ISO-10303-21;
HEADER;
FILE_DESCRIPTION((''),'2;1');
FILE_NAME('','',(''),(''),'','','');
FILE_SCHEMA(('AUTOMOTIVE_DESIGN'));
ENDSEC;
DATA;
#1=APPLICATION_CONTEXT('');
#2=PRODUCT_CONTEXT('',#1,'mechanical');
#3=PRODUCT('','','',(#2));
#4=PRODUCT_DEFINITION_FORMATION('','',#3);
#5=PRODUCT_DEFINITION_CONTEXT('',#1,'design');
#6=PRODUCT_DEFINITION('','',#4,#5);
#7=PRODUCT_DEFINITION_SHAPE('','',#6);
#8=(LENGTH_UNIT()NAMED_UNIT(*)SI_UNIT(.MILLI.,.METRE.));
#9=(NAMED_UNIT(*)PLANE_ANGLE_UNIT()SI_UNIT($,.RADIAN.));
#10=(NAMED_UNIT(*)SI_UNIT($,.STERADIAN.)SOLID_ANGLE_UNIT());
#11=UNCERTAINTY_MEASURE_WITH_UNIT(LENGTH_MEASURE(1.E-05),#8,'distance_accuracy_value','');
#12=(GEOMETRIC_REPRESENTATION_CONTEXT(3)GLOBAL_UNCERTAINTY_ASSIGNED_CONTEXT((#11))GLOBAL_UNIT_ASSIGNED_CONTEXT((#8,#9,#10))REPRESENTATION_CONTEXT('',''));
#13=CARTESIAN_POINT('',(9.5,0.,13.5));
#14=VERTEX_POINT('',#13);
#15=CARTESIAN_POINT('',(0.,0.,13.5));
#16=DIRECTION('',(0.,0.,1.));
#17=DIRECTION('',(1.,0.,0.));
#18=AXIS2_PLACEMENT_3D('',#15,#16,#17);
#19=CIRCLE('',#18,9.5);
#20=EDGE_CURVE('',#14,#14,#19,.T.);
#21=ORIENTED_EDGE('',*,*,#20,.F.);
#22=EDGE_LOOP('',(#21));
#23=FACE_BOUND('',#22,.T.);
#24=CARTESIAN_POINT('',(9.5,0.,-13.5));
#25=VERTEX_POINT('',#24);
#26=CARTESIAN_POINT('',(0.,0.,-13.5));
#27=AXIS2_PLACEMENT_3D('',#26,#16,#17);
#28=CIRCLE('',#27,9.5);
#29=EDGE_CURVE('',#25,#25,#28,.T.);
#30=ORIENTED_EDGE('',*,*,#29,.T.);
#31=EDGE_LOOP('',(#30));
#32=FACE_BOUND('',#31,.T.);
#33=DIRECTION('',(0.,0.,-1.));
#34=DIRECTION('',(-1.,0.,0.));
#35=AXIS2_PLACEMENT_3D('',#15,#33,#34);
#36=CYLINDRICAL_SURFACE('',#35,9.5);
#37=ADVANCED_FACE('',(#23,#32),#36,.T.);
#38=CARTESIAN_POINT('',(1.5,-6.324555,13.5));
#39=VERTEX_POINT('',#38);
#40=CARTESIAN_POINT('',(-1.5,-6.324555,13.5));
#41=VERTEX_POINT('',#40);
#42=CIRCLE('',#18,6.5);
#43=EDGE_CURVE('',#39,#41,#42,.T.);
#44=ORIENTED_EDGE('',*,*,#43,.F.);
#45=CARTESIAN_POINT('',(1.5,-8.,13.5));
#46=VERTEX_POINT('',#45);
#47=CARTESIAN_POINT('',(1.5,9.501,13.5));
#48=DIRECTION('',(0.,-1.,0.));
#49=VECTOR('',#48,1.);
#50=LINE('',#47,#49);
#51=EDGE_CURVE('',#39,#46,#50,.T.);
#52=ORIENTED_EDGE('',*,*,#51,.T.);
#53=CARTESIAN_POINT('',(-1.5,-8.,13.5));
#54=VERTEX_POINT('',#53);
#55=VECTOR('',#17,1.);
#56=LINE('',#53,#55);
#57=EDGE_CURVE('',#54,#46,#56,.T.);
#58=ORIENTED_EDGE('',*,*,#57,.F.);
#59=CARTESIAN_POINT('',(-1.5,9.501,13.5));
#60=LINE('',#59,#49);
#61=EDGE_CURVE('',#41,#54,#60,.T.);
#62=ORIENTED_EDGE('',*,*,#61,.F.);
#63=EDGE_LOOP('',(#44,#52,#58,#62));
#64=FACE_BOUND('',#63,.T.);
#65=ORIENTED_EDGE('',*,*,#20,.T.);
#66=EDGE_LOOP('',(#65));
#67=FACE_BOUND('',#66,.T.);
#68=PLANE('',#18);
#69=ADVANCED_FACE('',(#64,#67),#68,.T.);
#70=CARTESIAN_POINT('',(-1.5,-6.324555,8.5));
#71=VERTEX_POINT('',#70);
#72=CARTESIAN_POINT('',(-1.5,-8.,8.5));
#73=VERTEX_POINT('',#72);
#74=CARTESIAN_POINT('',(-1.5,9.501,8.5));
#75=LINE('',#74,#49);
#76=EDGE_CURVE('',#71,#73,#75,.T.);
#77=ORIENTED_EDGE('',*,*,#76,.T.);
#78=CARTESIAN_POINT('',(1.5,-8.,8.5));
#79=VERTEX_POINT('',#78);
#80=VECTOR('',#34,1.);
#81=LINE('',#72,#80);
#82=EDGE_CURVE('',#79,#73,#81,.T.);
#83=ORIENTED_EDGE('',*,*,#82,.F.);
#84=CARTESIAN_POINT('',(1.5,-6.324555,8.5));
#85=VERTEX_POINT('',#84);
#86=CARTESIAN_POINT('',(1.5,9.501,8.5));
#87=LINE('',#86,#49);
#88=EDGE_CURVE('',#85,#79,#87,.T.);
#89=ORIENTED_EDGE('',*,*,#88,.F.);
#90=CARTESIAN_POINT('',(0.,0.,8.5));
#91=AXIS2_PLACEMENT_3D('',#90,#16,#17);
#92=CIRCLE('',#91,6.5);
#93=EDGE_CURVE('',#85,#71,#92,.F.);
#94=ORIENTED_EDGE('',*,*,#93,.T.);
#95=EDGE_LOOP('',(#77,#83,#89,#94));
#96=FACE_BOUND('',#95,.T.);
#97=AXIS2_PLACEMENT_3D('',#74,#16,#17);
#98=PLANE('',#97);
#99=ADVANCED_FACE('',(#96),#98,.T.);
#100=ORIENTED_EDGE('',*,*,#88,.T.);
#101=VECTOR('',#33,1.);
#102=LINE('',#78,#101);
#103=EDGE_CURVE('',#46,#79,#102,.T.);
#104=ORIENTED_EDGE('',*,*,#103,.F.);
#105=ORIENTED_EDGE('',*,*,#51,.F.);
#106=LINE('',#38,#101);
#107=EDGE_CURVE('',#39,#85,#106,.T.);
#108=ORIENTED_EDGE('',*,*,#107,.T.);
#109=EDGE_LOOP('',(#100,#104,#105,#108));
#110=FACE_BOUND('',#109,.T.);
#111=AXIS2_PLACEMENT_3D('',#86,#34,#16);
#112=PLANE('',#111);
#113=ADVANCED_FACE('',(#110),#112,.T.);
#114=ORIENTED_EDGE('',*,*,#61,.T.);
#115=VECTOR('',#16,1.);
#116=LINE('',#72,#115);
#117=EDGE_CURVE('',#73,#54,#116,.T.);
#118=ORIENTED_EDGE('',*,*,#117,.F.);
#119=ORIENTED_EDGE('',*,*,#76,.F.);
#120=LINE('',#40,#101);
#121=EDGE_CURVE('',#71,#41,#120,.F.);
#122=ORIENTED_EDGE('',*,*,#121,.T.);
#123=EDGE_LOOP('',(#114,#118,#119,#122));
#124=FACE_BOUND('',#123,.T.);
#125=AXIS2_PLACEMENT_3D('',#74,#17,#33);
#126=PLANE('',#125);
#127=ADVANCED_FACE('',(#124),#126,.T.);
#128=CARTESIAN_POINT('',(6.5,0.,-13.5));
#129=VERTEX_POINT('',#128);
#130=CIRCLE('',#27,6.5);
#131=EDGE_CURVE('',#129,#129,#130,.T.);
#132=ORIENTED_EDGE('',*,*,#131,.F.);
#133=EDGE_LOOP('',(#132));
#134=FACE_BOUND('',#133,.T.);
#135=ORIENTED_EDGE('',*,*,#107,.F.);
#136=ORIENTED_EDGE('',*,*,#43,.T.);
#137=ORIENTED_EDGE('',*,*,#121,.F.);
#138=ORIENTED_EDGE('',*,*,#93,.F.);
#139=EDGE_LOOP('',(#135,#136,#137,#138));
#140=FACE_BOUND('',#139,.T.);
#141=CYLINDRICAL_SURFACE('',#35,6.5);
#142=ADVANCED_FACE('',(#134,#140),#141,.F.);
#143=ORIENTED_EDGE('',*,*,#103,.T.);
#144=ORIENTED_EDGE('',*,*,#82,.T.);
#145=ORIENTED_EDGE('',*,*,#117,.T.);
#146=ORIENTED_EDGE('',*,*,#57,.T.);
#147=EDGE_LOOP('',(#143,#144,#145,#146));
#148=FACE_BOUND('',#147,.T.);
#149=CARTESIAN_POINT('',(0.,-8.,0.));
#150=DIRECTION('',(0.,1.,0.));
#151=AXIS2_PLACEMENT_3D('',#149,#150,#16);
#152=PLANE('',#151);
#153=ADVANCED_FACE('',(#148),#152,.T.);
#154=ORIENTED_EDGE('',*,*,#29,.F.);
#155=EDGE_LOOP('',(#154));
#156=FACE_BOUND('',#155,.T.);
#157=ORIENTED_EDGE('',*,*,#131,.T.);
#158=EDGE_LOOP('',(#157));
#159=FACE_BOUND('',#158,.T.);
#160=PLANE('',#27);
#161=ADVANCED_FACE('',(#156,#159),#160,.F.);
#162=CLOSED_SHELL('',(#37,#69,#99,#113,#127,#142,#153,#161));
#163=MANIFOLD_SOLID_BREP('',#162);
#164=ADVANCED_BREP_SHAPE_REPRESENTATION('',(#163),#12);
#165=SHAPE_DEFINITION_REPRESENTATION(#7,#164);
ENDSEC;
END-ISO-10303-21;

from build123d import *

# Parameters (mm, degrees)
SKETCH1_R               = 9.5
SKETCH1_R_2             = 6.5
BOSS_EXTRUDE1_DEPTH     = 13.5
CUT_EXTRUDE1_REACH      = 29.046
CUT_EXTRUDE1_END_RADIUS = 6.5
CUT_EXTRUDE1_START      = -8
SKETCH2_W               = 3
SKETCH2_H               = 5


with BuildPart() as part:
    # Sketch1 → Boss-Extrude1 (new, symmetric)
    with BuildSketch(Plane.XY):
        Circle(SKETCH1_R)
        Circle(SKETCH1_R_2, mode=Mode.SUBTRACT)
    extrude(amount=BOSS_EXTRUDE1_DEPTH, both=True)

    # Cut-Extrude1: up to this cylinder (the profile starts outside it)
    cut_extrude1_end = Plane(origin=(0, 0, 11), z_dir=(0, 0, -1)) * Cylinder(CUT_EXTRUDE1_END_RADIUS, 72.092, mode=Mode.PRIVATE)
    # Sketch2 → Cut-Extrude1 (cut, up to the surface)
    with BuildSketch(Plane(origin=(0, 0, 0), x_dir=(1, 0, 0), z_dir=(0, 1, 0)).offset(CUT_EXTRUDE1_START), mode=Mode.PRIVATE) as cut_extrude1_sk1:
        with Locations((0, -11)):
            Rectangle(SKETCH2_W, SKETCH2_H)
    cut_extrude1_tool1 = extrude(cut_extrude1_sk1.sketch, amount=CUT_EXTRUDE1_REACH, mode=Mode.PRIVATE) - cut_extrude1_end
    add(cut_extrude1_tool1.solids().sort_by_distance((0, -8, 11))[0], mode=Mode.SUBTRACT)


solid = part.part
